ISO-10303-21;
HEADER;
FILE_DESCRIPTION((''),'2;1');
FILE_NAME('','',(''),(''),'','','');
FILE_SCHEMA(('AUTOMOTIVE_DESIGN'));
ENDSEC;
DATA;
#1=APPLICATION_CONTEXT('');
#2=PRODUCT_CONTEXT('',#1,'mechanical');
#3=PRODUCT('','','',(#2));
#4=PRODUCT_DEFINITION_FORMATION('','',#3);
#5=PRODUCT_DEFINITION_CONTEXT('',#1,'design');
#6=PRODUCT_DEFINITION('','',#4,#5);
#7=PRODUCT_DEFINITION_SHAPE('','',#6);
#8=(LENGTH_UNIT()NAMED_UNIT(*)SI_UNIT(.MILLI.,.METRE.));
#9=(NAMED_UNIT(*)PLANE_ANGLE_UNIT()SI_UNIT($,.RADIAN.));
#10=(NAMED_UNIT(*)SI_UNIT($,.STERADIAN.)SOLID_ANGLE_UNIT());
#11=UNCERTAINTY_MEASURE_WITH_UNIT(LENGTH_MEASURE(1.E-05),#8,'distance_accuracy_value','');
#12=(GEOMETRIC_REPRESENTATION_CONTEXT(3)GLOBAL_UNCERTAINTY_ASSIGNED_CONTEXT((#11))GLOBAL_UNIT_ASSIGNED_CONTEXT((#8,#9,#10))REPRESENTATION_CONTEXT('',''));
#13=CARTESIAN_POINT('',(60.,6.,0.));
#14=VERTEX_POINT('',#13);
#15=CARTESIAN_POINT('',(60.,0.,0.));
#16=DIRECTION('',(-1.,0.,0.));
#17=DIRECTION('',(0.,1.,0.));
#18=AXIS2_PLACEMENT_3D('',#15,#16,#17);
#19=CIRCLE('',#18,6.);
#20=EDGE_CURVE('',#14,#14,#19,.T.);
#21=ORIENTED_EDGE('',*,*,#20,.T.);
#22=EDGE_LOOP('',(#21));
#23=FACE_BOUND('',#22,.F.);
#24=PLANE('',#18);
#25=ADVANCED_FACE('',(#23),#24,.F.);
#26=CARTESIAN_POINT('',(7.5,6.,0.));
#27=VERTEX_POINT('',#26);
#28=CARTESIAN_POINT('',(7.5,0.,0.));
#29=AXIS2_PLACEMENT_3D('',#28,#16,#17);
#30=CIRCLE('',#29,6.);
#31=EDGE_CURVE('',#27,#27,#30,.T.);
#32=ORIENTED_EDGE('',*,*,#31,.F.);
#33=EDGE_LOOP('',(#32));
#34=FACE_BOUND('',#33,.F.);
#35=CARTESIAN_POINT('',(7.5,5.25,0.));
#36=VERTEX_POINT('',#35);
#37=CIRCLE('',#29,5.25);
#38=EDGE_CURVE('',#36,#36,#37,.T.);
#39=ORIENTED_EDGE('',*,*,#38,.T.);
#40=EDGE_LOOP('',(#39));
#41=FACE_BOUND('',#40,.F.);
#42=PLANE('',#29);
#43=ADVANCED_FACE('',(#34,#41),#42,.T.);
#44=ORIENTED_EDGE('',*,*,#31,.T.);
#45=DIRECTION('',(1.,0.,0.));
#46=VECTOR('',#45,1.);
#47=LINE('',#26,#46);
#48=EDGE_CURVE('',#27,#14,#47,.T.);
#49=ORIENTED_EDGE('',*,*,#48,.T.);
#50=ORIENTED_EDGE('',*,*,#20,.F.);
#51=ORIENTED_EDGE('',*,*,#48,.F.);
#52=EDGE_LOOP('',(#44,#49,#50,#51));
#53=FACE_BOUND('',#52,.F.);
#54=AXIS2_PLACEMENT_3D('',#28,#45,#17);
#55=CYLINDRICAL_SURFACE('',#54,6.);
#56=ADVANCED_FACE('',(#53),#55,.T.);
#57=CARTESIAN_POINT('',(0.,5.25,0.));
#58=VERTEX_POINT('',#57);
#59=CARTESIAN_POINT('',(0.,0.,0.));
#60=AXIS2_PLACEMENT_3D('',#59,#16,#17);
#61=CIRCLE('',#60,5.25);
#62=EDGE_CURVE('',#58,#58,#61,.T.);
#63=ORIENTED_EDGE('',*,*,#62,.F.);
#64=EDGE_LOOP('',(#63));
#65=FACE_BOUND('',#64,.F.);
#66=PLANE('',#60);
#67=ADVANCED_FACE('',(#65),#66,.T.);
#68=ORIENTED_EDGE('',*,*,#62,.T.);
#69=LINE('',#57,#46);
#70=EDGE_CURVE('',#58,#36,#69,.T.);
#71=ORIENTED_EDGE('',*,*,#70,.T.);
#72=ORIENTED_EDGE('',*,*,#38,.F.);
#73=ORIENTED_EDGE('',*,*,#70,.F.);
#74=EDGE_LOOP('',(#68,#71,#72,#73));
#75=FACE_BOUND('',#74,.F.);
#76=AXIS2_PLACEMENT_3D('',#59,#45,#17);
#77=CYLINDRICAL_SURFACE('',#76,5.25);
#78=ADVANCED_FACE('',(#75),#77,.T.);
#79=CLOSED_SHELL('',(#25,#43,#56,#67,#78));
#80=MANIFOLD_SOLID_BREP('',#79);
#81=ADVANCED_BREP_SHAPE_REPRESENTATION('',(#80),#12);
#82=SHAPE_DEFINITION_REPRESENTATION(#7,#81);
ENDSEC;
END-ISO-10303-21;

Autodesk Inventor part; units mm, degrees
ref_plane "YZ Plane" through (0, 0, 0) normal (1, 0, 0) x (0, 1, 0)
ref_plane "XZ Plane" through (0, 0, 0) normal (0, 1, 0) x (-1, 0, 0)
ref_plane "XY Plane" through (0, 0, 0) normal (0, 0, 1) x (1, 0, 0)
sketch "Sketch1" plane through (0, 0, 0) normal (0, 0, 1) x (1, 0, 0)
  line L0 (0, 0) -> (0, 5.25)
  line L1 (0, 5.25) -> (7.5, 5.25)
  line L2 (7.5, 5.25) -> (7.5, 6)
  line L3 (7.5, 6) -> (60, 6)
  line L4 (60, 6) -> (60, 0)
  line L5 (60, 0) -> (0, 0)
  point P0 (60, 3)
  point P1 (0, 2.625)
  dimension "d0" = 6
  dimension "d1" = 5.25
  dimension "d2" = 7.5
  dimension "d3" = 60
revolve "Revolution1" add sketch "Sketch1" angle 360 about axis through (60, 0, 0) along (-1, 0, 0)
properties part number "LJ12"
